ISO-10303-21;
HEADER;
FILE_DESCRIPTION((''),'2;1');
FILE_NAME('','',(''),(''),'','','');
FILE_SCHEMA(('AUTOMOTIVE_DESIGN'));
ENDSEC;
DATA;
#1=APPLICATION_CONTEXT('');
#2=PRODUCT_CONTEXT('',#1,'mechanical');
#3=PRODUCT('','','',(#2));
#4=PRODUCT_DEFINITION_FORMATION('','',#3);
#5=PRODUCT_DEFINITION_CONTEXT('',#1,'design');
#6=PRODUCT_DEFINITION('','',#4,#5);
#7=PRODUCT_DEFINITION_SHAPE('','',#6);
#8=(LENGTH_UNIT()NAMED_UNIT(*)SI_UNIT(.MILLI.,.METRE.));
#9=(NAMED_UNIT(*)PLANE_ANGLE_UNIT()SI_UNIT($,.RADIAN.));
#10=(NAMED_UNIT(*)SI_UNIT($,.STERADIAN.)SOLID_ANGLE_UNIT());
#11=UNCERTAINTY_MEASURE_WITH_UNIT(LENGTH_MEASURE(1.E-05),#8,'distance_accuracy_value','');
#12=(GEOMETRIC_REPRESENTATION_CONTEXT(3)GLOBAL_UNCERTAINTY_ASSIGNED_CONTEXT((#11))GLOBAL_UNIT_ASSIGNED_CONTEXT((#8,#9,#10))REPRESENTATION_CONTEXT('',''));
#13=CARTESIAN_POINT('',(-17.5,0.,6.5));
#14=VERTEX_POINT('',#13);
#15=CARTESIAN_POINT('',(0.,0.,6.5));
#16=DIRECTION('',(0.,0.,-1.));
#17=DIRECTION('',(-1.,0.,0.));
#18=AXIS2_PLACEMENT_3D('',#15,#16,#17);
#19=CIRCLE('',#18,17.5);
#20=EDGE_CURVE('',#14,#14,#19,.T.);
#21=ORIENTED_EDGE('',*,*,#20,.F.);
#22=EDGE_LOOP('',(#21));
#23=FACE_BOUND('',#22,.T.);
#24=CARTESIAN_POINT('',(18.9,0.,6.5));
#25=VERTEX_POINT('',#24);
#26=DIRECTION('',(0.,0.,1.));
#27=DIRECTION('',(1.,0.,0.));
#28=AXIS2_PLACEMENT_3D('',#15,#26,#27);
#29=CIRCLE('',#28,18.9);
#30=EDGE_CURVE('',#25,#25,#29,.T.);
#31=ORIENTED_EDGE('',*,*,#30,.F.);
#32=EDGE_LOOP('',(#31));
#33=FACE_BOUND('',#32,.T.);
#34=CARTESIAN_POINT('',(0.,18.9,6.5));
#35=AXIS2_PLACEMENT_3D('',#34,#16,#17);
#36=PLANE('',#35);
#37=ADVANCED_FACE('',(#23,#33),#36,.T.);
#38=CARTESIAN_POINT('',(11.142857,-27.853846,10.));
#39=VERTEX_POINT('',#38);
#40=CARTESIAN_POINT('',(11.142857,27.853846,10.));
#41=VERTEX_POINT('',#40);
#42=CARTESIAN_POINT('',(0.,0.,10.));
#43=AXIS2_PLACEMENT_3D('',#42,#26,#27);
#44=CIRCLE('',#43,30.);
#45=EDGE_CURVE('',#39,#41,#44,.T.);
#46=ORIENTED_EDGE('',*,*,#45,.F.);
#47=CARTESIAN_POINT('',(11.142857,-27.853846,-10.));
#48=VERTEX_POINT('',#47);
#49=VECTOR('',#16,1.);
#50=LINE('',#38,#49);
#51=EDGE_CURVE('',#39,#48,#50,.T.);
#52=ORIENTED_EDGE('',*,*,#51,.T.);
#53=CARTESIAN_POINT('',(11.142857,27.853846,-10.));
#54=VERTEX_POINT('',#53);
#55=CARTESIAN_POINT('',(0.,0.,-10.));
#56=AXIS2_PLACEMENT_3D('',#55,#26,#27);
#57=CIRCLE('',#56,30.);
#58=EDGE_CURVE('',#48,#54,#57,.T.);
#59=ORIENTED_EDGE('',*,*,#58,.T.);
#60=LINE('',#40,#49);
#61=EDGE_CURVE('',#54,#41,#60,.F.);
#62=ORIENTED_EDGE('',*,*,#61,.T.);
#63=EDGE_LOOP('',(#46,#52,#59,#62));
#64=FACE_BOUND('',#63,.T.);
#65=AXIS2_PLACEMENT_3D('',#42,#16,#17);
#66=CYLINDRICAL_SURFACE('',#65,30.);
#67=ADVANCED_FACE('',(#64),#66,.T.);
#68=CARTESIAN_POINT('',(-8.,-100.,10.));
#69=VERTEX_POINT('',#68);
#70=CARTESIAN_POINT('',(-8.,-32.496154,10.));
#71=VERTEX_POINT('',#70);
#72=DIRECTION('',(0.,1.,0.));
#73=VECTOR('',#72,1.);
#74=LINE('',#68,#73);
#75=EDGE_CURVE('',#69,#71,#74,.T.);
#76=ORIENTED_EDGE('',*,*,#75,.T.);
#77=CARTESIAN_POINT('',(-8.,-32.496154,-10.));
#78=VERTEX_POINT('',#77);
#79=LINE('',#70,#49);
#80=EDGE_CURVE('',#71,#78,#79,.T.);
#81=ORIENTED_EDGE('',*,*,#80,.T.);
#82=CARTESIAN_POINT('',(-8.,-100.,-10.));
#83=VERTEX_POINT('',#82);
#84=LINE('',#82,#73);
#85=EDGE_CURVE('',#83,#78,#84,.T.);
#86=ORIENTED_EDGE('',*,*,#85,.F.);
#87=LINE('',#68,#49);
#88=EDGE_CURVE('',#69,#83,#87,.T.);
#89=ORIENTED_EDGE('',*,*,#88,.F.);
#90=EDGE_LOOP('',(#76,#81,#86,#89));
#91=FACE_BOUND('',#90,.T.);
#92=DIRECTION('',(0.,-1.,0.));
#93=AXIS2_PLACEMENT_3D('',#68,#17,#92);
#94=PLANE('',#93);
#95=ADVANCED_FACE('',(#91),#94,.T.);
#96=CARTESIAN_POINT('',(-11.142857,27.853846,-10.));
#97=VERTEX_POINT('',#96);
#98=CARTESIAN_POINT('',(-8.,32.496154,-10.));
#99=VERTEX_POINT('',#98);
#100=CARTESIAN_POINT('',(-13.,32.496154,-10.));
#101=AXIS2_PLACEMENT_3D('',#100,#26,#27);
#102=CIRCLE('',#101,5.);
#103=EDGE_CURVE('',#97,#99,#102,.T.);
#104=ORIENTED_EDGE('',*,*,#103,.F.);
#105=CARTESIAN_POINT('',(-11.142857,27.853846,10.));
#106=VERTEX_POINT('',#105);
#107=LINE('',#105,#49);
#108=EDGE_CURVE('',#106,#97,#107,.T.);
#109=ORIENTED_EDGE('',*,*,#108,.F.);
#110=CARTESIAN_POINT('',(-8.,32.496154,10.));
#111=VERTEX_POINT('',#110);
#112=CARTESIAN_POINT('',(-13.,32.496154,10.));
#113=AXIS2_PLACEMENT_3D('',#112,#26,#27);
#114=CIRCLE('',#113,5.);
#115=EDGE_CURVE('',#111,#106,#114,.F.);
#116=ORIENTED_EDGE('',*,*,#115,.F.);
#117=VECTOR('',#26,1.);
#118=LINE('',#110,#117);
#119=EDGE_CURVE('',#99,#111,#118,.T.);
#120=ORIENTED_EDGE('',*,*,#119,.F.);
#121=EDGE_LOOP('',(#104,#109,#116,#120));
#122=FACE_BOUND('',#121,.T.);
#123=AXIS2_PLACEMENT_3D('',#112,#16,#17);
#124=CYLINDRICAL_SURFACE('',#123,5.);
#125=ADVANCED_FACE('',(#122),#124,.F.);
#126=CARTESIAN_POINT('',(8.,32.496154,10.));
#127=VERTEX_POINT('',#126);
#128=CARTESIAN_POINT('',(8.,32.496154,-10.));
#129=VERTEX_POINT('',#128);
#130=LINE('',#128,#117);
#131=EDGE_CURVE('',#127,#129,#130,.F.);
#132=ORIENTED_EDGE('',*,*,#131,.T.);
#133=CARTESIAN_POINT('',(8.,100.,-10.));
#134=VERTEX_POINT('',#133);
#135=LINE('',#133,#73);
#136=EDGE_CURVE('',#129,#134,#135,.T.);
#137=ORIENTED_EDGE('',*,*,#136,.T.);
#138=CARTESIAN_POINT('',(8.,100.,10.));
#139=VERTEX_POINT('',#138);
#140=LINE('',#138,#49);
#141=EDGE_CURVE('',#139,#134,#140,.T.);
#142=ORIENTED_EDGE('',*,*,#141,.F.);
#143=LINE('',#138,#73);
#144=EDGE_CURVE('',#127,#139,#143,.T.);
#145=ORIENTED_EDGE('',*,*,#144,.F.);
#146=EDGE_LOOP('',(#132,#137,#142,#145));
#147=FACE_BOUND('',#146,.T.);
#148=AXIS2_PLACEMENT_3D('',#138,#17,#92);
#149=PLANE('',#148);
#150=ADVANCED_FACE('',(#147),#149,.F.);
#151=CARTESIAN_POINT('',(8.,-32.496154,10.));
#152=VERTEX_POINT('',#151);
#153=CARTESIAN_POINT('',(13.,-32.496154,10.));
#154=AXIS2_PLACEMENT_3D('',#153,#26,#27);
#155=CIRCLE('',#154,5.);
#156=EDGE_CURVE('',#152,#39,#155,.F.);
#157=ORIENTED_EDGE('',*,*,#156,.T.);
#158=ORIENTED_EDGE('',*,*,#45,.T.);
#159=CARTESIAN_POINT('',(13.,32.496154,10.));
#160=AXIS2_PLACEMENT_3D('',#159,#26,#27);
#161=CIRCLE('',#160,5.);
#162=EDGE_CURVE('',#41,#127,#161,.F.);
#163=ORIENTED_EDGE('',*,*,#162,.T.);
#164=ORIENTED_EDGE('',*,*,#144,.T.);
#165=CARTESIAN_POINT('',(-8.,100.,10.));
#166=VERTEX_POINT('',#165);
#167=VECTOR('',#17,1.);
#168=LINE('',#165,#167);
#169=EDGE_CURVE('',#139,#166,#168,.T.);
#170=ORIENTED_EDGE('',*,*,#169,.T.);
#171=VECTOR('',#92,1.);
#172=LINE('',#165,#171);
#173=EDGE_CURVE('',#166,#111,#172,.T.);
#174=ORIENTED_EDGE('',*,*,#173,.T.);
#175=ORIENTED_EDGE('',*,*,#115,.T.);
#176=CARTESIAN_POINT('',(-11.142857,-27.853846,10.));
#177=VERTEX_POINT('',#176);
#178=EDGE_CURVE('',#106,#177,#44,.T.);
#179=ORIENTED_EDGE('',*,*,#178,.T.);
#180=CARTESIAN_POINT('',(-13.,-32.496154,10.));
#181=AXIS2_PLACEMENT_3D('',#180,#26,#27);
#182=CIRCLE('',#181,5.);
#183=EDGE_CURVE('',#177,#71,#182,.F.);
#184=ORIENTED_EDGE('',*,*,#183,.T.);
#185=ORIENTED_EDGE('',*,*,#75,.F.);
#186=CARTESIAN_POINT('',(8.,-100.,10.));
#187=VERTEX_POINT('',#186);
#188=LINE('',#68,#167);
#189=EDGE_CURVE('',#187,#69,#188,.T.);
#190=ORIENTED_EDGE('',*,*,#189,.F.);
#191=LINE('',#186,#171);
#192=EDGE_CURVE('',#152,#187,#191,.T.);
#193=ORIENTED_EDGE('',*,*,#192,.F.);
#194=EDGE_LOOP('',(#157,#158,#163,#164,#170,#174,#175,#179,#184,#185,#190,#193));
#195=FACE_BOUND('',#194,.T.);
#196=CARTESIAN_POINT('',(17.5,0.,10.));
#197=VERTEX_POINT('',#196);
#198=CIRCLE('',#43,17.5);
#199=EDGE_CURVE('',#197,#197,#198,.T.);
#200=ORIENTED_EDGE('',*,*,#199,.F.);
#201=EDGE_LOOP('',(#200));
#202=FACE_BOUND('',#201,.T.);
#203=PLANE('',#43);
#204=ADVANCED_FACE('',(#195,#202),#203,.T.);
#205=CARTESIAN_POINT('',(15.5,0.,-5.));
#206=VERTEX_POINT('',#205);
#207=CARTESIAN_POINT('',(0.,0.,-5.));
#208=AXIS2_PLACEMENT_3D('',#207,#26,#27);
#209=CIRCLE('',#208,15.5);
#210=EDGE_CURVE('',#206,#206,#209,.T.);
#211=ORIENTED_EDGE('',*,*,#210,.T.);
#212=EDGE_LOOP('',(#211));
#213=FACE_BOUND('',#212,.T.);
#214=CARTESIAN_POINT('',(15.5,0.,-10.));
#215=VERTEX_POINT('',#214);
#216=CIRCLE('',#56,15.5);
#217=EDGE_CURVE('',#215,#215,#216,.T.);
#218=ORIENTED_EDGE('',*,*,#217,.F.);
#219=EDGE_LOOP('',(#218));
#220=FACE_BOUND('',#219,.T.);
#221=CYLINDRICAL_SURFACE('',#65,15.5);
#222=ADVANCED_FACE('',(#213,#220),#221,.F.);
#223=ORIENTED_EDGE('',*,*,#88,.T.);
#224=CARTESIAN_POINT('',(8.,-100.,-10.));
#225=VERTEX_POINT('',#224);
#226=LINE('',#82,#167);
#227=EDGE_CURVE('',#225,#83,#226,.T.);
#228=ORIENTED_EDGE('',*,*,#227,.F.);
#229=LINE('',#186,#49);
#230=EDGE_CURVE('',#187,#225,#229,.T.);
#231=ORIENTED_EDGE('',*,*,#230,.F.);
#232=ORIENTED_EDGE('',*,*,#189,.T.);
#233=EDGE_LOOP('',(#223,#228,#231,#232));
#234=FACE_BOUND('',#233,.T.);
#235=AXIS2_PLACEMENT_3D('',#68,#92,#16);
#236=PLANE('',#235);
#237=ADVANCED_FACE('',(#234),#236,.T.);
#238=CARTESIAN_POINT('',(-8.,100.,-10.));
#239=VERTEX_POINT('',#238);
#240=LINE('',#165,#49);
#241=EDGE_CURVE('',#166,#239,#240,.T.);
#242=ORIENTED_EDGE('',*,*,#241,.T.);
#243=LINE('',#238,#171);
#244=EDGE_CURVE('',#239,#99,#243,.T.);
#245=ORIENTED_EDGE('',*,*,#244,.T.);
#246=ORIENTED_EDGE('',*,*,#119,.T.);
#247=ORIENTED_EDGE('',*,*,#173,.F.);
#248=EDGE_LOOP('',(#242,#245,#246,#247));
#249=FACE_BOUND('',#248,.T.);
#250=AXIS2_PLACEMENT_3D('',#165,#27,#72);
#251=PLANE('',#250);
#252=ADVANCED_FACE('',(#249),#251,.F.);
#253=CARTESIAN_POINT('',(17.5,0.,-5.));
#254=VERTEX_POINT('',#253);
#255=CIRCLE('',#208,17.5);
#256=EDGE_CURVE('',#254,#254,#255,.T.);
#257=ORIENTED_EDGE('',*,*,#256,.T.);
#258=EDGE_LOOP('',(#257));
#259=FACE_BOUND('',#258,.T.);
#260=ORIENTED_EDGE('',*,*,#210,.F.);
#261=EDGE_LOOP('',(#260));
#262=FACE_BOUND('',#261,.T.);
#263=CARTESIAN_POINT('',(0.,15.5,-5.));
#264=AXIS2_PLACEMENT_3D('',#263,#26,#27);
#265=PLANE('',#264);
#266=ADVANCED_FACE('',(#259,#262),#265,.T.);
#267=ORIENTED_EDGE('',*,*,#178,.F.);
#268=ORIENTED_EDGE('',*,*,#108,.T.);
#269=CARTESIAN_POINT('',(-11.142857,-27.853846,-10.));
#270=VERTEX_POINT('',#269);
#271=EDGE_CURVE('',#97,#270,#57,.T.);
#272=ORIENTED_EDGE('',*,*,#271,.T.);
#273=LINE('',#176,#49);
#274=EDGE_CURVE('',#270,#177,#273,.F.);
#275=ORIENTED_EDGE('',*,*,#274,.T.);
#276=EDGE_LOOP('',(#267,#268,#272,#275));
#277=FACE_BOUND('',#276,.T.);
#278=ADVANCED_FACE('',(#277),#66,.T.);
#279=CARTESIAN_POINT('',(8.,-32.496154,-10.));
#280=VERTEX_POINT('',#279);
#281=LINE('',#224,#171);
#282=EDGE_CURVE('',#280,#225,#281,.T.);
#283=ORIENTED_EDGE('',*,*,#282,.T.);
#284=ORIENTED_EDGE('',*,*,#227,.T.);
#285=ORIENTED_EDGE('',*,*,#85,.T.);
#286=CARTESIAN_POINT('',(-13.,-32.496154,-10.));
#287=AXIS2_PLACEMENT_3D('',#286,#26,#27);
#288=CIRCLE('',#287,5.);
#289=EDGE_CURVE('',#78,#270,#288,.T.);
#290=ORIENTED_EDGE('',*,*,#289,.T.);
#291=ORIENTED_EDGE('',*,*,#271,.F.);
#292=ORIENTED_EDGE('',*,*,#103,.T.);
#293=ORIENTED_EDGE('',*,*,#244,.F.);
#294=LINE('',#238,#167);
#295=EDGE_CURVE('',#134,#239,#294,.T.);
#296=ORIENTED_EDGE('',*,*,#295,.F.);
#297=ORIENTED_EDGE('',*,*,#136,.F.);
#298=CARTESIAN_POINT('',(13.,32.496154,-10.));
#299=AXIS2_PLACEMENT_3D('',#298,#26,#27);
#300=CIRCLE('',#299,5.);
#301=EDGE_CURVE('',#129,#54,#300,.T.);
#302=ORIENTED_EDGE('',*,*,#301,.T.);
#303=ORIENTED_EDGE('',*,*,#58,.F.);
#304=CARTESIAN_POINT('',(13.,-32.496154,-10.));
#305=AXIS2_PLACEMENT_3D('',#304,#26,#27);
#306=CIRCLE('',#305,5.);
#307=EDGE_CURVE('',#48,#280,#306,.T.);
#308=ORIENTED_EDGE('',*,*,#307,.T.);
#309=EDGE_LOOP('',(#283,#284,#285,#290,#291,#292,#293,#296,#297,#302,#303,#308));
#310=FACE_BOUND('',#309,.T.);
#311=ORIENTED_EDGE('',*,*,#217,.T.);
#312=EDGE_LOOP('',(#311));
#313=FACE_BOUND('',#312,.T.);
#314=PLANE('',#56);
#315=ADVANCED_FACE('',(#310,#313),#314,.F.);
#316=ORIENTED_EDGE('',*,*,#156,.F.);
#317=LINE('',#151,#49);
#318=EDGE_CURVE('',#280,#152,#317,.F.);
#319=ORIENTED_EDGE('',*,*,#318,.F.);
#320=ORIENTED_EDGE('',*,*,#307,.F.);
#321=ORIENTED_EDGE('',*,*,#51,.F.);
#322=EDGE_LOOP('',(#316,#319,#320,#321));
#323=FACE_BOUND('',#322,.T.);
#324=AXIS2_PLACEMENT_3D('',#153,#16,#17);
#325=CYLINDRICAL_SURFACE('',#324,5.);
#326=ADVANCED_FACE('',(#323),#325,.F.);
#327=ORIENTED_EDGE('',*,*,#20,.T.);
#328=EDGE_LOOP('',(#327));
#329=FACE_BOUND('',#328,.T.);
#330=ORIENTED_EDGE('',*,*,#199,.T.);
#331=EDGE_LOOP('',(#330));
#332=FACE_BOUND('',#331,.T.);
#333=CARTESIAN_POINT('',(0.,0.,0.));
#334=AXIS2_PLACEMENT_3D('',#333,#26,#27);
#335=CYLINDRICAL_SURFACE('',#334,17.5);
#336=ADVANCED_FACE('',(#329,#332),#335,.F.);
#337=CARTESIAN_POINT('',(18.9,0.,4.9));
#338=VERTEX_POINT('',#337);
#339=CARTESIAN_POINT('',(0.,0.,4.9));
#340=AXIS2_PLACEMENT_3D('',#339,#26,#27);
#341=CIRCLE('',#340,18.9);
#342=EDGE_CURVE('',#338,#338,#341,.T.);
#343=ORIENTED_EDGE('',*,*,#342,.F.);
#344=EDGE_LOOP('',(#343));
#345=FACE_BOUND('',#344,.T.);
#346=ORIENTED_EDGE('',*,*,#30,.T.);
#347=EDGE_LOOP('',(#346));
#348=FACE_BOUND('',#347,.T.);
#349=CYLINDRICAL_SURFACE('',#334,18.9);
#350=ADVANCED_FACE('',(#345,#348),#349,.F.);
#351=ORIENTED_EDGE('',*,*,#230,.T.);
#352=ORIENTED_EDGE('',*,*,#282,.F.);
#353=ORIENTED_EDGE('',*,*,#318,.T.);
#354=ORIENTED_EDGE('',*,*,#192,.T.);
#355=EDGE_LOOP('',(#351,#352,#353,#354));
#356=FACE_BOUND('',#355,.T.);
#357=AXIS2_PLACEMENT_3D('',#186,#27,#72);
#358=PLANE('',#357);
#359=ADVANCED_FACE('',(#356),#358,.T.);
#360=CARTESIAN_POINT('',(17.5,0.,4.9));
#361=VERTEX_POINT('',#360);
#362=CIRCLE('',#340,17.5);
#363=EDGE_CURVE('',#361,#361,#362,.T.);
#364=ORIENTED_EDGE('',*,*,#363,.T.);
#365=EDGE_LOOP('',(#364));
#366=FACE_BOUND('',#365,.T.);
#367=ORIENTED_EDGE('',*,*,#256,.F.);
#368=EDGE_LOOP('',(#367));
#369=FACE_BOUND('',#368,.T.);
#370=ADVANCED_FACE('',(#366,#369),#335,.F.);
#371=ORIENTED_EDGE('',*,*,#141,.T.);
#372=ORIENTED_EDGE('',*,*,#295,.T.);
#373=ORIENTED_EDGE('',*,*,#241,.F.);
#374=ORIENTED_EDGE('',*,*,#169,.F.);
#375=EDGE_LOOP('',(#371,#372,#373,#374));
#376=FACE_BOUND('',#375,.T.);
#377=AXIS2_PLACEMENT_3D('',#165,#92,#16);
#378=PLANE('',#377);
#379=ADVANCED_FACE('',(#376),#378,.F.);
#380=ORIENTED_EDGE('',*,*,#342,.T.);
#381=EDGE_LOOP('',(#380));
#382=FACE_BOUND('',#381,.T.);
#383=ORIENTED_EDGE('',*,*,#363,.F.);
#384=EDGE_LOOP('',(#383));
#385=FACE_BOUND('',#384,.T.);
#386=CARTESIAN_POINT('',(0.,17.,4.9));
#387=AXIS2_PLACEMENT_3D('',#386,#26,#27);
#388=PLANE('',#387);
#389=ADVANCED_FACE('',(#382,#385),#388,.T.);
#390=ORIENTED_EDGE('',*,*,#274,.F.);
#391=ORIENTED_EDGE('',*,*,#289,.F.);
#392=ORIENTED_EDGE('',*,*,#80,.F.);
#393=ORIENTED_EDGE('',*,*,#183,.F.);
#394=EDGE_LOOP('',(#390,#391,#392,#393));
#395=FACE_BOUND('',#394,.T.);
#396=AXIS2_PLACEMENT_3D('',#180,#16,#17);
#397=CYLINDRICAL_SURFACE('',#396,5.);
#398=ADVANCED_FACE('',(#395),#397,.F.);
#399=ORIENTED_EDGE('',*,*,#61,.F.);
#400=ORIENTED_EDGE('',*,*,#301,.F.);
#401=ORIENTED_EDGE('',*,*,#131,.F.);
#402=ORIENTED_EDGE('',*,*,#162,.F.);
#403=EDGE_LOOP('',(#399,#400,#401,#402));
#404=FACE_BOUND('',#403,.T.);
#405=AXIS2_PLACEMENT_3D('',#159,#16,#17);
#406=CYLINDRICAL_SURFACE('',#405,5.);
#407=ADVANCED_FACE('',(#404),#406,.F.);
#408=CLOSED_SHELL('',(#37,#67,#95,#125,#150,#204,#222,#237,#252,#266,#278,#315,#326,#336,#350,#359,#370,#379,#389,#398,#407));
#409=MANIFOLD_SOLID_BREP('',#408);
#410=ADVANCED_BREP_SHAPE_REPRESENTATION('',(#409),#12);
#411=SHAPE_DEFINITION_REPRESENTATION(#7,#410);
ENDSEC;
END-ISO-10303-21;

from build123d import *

# Parameters (mm, degrees)
SKETCH1_R           = 30
SKETCH1_R_2         = 15.5
BOSS_EXTRUDE1_DEPTH = 10
BOSS_EXTRUDE2_DEPTH = 10
SKETCH3_W           = 15
SKETCH3_H           = 2
SKETCH4_W           = 1.6
SKETCH4_H           = 1.9
FILLET1_R           = 5


with BuildPart() as part:
    # Sketch1 → Boss-Extrude1 (new, symmetric)
    with BuildSketch(Plane.XY):
        Circle(SKETCH1_R)
        Circle(SKETCH1_R_2, mode=Mode.SUBTRACT)
    extrude(amount=BOSS_EXTRUDE1_DEPTH, both=True)

    # Sketch2 → Boss-Extrude2 (add, symmetric)
    with BuildSketch(Plane.XY):
        Polygon((-8, 100), (8, 100), (8, 28.91366459), (0, 30), (-8, 28.91366459), align=None)
    boss_extrude2 = extrude(amount=BOSS_EXTRUDE2_DEPTH, both=True)

    # Mirror1: Boss-Extrude2 across plane
    add(boss_extrude2.mirror(Plane.ZX))

    # Sketch3 → Cut-Revolve1 (revolve, cut)
    with BuildSketch(Plane(origin=(0, 0, 0), x_dir=(0, 0, -1), z_dir=(1, 0, 0)), mode=Mode.PRIVATE) as cut_revolve1_sk:
        with Locations((-2.5, 16.5)):
            Rectangle(SKETCH3_W, SKETCH3_H)
    revolve(cut_revolve1_sk.sketch.rotate(Axis((0, 0, 0), (0, 0, -1)), 90), axis=Axis((0, 0, 0), (0, 0, -1)), mode=Mode.SUBTRACT)

    # Sketch4 → Cut-Revolve2 (revolve, cut)
    with BuildSketch(Plane(origin=(0, 0, 0), x_dir=(0, 0, -1), z_dir=(1, 0, 0)), mode=Mode.PRIVATE) as cut_revolve2_sk:
        with Locations((-5.7, 17.95)):
            Rectangle(SKETCH4_W, SKETCH4_H)
    revolve(cut_revolve2_sk.sketch.rotate(Axis((0, 0, 0), (0, 0, -1)), 90), axis=Axis((0, 0, 0), (0, 0, -1)), mode=Mode.SUBTRACT)

    # Fillet1
    fillet1_edges = [part.edges().sort_by_distance(p)[0] for p in [
        (8, 28.91366459, 0),
        (-8, 28.91366459, 0),
        (8, -28.91366459, 0),
        (-8, -28.91366459, 0),
    ]]
    fillet(fillet1_edges, radius=FILLET1_R)


solid = part.part
